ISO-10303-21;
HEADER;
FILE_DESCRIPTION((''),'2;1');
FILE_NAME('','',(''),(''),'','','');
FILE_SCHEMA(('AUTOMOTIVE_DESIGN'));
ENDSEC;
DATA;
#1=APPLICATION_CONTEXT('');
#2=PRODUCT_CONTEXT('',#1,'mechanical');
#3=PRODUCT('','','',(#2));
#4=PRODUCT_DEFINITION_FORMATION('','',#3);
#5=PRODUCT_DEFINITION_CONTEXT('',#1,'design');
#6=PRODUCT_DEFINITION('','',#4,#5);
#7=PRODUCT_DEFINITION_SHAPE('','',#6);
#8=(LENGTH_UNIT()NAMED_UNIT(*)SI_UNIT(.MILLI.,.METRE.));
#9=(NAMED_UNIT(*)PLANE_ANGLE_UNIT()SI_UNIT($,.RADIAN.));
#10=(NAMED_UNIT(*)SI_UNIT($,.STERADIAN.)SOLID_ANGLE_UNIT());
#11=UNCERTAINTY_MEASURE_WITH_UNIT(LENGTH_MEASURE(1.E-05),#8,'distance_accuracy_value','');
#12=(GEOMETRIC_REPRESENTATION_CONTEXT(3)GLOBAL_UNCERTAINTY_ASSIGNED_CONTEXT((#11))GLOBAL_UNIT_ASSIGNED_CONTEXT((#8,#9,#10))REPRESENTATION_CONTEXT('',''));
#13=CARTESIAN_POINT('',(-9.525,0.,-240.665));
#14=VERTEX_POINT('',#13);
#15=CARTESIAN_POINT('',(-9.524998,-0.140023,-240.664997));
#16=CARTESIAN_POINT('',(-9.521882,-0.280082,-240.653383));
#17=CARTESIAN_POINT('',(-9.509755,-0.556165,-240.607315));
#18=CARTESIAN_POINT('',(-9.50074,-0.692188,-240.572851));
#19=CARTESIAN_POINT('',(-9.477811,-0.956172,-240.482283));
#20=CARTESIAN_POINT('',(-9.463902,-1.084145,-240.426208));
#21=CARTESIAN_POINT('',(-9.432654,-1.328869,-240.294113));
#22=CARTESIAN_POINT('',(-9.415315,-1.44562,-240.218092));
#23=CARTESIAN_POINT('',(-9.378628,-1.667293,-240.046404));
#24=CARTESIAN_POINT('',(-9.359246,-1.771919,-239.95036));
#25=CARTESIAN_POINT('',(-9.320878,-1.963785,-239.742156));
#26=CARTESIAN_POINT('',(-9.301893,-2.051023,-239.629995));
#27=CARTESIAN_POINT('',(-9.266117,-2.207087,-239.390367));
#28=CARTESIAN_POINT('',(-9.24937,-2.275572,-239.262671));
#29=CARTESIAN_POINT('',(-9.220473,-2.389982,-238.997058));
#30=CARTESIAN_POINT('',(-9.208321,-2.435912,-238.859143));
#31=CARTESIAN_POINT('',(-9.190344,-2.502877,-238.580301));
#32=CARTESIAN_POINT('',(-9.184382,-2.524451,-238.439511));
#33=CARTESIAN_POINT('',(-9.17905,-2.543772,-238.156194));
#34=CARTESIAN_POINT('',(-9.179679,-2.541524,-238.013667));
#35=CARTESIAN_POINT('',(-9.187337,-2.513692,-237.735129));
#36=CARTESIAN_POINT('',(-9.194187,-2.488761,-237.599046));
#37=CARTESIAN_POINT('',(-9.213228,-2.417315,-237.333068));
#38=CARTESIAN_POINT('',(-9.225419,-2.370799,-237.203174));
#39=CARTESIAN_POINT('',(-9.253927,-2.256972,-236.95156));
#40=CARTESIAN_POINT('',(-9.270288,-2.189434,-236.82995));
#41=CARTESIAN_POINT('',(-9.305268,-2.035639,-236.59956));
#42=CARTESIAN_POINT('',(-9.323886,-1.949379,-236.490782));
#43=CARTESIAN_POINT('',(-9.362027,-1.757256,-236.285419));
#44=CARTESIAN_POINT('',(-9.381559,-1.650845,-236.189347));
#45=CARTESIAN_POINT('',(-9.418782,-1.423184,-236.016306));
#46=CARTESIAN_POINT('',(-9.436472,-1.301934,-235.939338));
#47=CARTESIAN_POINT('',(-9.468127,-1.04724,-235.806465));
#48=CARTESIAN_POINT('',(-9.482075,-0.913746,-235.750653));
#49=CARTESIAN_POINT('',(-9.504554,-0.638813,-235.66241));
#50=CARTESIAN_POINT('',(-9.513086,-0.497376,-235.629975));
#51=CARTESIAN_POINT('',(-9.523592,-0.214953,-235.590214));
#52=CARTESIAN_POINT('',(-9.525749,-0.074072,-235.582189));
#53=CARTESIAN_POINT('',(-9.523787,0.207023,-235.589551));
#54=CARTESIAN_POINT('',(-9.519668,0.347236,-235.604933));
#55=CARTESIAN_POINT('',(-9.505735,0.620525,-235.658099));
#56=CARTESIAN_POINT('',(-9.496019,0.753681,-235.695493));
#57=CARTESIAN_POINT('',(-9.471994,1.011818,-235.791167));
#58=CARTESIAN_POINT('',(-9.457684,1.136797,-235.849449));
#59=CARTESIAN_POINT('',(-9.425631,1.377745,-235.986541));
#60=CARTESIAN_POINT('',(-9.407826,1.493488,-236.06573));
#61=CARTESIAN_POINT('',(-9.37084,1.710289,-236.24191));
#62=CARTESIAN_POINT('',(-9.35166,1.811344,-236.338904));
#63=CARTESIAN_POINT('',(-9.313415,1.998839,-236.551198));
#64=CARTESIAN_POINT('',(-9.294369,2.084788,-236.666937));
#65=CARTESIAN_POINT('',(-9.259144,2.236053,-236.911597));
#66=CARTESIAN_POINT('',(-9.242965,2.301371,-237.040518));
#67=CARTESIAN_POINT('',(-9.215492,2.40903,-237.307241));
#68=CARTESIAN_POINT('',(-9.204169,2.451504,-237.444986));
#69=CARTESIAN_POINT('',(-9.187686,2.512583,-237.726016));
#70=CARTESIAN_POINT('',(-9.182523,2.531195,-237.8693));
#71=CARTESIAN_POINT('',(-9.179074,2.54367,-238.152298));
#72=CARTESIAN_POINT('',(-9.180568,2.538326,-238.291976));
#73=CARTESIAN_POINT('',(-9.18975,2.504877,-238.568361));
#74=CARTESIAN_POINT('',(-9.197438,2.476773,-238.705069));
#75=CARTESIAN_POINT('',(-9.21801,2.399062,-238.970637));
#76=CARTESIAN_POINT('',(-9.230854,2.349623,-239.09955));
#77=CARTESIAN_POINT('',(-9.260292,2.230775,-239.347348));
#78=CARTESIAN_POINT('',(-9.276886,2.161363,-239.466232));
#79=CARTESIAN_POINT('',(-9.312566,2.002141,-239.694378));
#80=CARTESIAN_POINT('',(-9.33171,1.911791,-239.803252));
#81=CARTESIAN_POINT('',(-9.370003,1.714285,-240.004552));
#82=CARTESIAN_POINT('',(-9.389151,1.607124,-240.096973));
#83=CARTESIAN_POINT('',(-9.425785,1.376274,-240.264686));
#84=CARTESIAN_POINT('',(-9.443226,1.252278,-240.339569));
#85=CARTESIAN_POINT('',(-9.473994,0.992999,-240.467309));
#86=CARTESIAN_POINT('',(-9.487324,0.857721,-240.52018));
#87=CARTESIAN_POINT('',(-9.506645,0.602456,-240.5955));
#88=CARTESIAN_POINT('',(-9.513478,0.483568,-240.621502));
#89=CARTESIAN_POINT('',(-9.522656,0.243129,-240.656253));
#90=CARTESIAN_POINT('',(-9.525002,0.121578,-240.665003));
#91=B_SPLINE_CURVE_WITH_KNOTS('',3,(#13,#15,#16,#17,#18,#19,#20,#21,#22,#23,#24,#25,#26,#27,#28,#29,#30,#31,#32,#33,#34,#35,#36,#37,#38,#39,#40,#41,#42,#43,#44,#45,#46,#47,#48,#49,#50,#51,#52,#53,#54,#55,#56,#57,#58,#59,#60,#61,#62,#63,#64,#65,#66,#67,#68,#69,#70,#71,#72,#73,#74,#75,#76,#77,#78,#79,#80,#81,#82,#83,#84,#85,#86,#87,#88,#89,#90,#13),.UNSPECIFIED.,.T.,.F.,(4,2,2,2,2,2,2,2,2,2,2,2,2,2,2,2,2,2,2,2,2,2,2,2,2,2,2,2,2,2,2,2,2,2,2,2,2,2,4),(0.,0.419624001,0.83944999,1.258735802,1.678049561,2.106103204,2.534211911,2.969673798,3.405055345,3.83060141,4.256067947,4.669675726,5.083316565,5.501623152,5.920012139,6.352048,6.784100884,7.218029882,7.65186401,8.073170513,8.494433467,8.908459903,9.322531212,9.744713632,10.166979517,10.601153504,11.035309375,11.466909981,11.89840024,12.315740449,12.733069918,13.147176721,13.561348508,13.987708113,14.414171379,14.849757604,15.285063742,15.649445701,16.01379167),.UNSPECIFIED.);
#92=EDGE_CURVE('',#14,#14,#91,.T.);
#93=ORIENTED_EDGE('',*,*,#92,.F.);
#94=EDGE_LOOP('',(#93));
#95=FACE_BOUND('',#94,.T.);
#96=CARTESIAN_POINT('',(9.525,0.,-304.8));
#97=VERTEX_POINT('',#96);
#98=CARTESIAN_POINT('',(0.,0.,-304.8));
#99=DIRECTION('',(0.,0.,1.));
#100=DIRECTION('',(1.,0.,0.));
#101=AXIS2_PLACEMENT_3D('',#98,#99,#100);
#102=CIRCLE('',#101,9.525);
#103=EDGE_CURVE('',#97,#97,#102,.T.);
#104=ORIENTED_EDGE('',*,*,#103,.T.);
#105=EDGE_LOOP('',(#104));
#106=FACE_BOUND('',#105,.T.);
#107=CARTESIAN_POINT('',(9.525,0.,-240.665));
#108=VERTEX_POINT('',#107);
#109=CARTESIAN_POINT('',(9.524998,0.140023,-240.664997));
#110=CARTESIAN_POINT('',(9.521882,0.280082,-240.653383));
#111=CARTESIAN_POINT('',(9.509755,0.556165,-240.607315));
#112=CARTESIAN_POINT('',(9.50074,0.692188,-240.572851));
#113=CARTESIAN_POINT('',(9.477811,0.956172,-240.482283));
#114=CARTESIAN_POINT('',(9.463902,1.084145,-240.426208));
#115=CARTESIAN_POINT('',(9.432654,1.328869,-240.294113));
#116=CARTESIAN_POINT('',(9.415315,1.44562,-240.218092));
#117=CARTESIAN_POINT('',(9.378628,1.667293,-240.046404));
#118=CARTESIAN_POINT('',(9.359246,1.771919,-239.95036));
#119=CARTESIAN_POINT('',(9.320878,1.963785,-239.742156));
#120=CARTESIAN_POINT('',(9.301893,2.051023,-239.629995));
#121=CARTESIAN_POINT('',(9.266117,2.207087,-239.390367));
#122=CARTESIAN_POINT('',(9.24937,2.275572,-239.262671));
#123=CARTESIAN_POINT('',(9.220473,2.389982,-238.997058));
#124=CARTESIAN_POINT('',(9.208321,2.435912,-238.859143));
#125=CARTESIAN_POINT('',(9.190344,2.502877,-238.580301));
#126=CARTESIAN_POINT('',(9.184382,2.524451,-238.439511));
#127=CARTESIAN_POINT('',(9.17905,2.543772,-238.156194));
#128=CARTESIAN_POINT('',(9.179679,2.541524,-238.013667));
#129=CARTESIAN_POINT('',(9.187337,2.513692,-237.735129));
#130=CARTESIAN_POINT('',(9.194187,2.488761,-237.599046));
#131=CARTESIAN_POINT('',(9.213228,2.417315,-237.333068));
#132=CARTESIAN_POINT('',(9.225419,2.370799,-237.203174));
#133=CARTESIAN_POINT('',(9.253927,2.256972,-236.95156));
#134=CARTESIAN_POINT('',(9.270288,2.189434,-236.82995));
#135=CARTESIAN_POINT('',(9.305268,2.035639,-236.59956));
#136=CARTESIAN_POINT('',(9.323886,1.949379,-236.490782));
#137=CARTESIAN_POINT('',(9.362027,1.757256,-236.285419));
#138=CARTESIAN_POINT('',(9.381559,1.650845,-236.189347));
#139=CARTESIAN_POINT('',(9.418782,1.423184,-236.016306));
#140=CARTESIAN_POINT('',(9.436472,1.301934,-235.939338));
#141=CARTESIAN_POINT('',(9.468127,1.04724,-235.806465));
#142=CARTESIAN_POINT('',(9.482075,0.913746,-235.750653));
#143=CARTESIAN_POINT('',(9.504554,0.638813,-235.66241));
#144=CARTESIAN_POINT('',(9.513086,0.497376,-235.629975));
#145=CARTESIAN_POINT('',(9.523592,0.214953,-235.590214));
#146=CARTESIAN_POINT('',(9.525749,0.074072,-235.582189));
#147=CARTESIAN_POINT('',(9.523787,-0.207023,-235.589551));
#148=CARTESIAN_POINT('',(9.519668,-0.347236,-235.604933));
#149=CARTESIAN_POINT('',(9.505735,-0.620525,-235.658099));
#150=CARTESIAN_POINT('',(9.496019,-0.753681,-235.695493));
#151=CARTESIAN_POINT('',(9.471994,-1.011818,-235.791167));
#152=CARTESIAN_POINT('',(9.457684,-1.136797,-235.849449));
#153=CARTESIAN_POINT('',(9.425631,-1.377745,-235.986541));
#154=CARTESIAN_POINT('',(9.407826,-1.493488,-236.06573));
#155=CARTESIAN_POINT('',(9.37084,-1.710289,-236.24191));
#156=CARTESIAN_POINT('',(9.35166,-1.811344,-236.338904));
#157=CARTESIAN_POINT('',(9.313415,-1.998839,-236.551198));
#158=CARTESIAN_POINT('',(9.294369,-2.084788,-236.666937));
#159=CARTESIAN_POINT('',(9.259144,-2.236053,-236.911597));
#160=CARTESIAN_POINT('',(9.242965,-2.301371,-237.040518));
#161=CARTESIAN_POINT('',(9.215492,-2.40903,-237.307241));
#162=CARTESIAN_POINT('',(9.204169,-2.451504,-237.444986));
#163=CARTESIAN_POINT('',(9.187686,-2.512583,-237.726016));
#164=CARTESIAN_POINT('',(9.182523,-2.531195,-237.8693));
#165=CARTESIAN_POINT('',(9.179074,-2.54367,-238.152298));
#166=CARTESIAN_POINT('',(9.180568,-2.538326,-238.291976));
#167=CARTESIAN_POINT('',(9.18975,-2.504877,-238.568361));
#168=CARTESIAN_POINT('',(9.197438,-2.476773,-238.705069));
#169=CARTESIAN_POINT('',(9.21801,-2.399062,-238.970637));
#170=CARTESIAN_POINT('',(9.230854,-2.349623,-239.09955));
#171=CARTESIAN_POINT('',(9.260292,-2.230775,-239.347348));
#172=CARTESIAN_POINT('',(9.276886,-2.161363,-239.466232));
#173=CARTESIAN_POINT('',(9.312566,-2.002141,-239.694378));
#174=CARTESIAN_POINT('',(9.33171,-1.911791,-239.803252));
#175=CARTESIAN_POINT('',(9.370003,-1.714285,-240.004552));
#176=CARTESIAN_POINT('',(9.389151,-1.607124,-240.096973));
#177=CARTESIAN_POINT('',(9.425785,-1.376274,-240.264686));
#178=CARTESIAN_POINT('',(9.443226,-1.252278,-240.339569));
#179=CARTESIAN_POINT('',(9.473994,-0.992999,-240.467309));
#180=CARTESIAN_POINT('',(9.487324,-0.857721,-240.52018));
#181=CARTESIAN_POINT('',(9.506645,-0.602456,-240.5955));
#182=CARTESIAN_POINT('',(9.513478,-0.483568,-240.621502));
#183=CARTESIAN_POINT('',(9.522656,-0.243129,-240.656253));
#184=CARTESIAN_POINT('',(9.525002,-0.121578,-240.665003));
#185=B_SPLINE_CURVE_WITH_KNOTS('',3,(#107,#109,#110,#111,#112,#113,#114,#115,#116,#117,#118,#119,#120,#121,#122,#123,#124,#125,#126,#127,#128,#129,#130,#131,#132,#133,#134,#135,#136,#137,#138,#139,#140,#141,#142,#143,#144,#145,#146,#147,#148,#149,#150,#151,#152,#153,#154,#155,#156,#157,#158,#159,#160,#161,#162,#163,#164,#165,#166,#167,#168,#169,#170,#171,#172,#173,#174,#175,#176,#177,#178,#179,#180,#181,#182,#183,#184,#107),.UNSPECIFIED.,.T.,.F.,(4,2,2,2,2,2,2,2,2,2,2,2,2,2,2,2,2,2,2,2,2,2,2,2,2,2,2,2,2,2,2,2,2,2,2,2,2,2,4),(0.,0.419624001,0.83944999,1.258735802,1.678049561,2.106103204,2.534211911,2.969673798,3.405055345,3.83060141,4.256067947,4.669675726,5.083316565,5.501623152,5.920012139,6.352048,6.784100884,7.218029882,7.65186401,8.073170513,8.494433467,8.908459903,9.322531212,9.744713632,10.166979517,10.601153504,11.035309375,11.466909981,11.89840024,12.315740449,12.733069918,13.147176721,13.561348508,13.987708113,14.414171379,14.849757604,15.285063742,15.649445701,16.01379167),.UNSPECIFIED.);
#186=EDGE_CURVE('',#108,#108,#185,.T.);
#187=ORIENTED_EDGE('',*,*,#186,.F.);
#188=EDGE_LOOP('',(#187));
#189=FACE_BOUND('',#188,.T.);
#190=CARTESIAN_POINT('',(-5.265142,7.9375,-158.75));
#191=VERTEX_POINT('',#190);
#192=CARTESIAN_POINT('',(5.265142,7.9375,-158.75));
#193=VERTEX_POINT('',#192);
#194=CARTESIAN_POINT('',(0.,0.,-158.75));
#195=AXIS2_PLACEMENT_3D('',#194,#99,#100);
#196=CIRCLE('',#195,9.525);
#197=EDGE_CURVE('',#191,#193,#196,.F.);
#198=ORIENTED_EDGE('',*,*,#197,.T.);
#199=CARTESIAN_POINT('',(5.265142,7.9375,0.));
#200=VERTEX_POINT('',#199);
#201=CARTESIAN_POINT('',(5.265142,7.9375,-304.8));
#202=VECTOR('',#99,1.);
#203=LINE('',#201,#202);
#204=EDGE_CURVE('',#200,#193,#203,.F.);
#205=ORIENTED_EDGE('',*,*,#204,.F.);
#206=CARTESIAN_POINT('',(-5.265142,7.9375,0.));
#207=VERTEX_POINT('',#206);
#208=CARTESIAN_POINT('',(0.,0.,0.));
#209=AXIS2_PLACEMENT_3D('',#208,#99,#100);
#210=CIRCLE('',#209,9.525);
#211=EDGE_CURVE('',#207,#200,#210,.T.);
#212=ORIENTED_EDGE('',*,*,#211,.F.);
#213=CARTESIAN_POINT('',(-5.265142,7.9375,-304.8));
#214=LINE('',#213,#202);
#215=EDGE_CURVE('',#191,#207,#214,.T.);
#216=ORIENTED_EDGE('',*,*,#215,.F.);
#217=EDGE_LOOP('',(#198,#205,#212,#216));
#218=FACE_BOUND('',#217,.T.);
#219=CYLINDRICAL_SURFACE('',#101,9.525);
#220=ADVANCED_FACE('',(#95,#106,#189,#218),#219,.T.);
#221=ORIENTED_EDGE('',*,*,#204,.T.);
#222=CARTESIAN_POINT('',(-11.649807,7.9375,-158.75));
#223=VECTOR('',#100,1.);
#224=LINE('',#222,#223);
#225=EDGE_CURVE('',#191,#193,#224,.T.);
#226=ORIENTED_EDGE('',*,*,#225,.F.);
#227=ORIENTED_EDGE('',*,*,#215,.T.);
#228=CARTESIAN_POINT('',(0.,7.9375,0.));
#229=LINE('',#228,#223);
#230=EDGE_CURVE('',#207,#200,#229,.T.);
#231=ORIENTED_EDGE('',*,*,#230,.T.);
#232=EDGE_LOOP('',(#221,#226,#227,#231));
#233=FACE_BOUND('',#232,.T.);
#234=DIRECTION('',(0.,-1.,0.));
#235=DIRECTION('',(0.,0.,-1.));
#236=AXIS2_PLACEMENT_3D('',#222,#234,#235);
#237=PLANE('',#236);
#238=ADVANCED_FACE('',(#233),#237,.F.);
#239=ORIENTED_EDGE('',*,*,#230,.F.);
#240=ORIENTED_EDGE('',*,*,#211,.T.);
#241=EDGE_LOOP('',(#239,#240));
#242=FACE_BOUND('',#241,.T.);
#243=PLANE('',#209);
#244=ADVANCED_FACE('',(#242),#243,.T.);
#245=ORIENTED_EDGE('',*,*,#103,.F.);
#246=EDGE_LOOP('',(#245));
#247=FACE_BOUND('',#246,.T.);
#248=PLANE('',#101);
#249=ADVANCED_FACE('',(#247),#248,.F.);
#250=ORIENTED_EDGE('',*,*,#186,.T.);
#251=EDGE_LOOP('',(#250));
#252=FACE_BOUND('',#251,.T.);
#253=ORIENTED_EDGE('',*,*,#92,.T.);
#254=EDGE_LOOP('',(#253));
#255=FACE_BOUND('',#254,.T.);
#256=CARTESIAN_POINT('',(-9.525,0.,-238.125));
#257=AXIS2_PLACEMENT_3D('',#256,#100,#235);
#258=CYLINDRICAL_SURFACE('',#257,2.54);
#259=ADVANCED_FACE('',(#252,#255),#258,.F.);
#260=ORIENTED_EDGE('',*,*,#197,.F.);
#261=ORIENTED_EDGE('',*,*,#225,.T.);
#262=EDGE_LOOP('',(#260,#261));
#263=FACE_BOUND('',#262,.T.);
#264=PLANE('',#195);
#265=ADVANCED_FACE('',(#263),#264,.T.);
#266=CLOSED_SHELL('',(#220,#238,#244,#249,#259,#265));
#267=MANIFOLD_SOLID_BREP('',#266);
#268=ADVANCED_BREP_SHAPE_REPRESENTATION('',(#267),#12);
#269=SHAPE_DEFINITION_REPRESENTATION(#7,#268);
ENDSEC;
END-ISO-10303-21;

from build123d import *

# Parameters (mm, degrees)
SKETCH1_R               = 9.525
BOSS_EXTRUDE1_DEPTH     = 304.8
SKETCH3_W               = 23.44415324
SKETCH3_H               = 6.388604027
CUT_EXTRUDE1_DEPTH      = 158.75
CUT_EXTRUDE2_DEPTH      = 306.097511052
CUT_EXTRUDE2_DEPTH_BACK = 306.097511052
SKETCH8_R               = 2.54


with BuildPart() as part:
    # Sketch1 → Boss-Extrude1 (new body)
    with BuildSketch(Plane.XY):
        Circle(SKETCH1_R)
    extrude(amount=-BOSS_EXTRUDE1_DEPTH)

    # Sketch3 → Cut-Extrude1 (cut)
    with BuildSketch(Plane.XY):
        with Locations((0.072269276, 11.131802014)):
            Rectangle(SKETCH3_W, SKETCH3_H)
    extrude(amount=-CUT_EXTRUDE1_DEPTH, mode=Mode.SUBTRACT)

    # Sketch8 → Cut-Extrude2 (cut, two sides: drawn at the far end of the back side and taken through both)
    with BuildSketch(Plane(origin=(0, 0, 0), x_dir=(0, 0, -1), z_dir=(1, 0, 0)).offset(-CUT_EXTRUDE2_DEPTH_BACK)):
        with Locations((238.125, 0)):
            Circle(SKETCH8_R)
    extrude(amount=CUT_EXTRUDE2_DEPTH + CUT_EXTRUDE2_DEPTH_BACK, mode=Mode.SUBTRACT)


solid = part.part
